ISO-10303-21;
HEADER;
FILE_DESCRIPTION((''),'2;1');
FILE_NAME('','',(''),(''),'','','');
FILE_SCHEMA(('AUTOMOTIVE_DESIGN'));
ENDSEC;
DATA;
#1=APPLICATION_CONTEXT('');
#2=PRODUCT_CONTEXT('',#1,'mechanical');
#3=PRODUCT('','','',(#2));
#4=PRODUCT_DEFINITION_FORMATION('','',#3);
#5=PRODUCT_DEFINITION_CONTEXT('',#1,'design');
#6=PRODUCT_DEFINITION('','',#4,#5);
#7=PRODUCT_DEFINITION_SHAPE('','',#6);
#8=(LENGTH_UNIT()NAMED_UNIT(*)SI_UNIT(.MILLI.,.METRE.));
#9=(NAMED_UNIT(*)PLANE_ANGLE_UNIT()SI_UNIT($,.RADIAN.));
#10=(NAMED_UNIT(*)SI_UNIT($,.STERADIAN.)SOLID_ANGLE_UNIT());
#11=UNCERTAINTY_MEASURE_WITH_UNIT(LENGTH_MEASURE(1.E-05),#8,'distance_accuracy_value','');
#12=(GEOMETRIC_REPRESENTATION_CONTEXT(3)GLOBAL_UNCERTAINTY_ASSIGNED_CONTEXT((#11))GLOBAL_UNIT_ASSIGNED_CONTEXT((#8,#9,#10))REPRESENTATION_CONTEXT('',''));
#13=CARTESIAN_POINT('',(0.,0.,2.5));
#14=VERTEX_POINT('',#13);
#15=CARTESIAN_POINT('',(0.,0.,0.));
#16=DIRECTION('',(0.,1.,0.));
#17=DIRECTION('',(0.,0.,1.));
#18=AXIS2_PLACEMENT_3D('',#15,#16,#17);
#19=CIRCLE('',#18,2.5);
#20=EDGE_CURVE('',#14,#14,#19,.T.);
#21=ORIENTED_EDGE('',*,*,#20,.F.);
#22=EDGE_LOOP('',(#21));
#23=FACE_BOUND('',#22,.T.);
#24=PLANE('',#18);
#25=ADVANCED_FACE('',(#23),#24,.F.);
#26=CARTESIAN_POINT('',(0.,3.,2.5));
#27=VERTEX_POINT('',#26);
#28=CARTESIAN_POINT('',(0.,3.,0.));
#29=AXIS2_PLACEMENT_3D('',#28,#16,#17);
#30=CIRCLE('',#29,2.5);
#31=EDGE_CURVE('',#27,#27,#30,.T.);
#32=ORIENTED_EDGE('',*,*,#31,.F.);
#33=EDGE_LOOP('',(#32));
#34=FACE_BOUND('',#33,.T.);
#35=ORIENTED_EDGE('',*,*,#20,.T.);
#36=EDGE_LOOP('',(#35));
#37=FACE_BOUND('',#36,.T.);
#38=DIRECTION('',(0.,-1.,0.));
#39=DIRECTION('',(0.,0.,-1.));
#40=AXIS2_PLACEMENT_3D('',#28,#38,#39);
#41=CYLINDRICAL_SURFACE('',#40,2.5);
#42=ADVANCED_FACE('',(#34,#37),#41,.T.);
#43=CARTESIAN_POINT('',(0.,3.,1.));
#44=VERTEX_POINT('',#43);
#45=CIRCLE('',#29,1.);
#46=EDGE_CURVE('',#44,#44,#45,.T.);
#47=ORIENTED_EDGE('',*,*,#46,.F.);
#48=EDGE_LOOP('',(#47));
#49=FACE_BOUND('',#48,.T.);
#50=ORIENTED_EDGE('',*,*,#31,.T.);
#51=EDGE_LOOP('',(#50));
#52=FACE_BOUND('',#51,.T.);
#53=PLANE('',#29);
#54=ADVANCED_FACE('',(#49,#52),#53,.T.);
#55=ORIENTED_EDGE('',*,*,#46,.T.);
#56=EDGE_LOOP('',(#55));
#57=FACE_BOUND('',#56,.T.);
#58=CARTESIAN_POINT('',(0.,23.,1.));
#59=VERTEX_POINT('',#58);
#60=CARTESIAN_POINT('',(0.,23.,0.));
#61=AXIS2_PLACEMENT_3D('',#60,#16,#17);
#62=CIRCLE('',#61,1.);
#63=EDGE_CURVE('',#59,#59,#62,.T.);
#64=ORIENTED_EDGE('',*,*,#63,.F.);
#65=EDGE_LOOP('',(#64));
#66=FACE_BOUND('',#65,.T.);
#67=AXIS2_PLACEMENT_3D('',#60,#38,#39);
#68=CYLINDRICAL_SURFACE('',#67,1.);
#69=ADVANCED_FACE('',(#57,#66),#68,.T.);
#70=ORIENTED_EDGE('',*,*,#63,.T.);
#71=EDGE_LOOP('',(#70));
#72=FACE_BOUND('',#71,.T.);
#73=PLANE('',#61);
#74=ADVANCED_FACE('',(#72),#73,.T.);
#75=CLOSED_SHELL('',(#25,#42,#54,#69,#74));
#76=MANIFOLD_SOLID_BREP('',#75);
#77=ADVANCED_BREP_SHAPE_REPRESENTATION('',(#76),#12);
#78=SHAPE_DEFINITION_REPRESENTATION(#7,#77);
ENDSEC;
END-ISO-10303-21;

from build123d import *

# Parameters (mm, degrees)
SKETCH2_R           = 2.5
BOSS_EXTRUDE1_DEPTH = 3
SKETCH3_R           = 1
BOSS_EXTRUDE2_DEPTH = 20


with BuildPart() as part:
    # Sketch2 → Boss-Extrude1 (new body)
    with BuildSketch(Plane(origin=(0, 0, 0), x_dir=(1, 0, 0), z_dir=(0, 1, 0))):
        with Locations(Location((0, 0, 0), (0, 0, 270))):
            Circle(SKETCH2_R)
    extrude(amount=BOSS_EXTRUDE1_DEPTH)

    # Sketch3 → Boss-Extrude2 (add)
    with BuildSketch(Plane(origin=(0, 3, 0), x_dir=(1, 0, 0), z_dir=(0, 1, 0))):
        with Locations(Location((0, 0, 0), (0, 0, 270))):
            Circle(SKETCH3_R)
    extrude(amount=BOSS_EXTRUDE2_DEPTH)


solid = part.part
